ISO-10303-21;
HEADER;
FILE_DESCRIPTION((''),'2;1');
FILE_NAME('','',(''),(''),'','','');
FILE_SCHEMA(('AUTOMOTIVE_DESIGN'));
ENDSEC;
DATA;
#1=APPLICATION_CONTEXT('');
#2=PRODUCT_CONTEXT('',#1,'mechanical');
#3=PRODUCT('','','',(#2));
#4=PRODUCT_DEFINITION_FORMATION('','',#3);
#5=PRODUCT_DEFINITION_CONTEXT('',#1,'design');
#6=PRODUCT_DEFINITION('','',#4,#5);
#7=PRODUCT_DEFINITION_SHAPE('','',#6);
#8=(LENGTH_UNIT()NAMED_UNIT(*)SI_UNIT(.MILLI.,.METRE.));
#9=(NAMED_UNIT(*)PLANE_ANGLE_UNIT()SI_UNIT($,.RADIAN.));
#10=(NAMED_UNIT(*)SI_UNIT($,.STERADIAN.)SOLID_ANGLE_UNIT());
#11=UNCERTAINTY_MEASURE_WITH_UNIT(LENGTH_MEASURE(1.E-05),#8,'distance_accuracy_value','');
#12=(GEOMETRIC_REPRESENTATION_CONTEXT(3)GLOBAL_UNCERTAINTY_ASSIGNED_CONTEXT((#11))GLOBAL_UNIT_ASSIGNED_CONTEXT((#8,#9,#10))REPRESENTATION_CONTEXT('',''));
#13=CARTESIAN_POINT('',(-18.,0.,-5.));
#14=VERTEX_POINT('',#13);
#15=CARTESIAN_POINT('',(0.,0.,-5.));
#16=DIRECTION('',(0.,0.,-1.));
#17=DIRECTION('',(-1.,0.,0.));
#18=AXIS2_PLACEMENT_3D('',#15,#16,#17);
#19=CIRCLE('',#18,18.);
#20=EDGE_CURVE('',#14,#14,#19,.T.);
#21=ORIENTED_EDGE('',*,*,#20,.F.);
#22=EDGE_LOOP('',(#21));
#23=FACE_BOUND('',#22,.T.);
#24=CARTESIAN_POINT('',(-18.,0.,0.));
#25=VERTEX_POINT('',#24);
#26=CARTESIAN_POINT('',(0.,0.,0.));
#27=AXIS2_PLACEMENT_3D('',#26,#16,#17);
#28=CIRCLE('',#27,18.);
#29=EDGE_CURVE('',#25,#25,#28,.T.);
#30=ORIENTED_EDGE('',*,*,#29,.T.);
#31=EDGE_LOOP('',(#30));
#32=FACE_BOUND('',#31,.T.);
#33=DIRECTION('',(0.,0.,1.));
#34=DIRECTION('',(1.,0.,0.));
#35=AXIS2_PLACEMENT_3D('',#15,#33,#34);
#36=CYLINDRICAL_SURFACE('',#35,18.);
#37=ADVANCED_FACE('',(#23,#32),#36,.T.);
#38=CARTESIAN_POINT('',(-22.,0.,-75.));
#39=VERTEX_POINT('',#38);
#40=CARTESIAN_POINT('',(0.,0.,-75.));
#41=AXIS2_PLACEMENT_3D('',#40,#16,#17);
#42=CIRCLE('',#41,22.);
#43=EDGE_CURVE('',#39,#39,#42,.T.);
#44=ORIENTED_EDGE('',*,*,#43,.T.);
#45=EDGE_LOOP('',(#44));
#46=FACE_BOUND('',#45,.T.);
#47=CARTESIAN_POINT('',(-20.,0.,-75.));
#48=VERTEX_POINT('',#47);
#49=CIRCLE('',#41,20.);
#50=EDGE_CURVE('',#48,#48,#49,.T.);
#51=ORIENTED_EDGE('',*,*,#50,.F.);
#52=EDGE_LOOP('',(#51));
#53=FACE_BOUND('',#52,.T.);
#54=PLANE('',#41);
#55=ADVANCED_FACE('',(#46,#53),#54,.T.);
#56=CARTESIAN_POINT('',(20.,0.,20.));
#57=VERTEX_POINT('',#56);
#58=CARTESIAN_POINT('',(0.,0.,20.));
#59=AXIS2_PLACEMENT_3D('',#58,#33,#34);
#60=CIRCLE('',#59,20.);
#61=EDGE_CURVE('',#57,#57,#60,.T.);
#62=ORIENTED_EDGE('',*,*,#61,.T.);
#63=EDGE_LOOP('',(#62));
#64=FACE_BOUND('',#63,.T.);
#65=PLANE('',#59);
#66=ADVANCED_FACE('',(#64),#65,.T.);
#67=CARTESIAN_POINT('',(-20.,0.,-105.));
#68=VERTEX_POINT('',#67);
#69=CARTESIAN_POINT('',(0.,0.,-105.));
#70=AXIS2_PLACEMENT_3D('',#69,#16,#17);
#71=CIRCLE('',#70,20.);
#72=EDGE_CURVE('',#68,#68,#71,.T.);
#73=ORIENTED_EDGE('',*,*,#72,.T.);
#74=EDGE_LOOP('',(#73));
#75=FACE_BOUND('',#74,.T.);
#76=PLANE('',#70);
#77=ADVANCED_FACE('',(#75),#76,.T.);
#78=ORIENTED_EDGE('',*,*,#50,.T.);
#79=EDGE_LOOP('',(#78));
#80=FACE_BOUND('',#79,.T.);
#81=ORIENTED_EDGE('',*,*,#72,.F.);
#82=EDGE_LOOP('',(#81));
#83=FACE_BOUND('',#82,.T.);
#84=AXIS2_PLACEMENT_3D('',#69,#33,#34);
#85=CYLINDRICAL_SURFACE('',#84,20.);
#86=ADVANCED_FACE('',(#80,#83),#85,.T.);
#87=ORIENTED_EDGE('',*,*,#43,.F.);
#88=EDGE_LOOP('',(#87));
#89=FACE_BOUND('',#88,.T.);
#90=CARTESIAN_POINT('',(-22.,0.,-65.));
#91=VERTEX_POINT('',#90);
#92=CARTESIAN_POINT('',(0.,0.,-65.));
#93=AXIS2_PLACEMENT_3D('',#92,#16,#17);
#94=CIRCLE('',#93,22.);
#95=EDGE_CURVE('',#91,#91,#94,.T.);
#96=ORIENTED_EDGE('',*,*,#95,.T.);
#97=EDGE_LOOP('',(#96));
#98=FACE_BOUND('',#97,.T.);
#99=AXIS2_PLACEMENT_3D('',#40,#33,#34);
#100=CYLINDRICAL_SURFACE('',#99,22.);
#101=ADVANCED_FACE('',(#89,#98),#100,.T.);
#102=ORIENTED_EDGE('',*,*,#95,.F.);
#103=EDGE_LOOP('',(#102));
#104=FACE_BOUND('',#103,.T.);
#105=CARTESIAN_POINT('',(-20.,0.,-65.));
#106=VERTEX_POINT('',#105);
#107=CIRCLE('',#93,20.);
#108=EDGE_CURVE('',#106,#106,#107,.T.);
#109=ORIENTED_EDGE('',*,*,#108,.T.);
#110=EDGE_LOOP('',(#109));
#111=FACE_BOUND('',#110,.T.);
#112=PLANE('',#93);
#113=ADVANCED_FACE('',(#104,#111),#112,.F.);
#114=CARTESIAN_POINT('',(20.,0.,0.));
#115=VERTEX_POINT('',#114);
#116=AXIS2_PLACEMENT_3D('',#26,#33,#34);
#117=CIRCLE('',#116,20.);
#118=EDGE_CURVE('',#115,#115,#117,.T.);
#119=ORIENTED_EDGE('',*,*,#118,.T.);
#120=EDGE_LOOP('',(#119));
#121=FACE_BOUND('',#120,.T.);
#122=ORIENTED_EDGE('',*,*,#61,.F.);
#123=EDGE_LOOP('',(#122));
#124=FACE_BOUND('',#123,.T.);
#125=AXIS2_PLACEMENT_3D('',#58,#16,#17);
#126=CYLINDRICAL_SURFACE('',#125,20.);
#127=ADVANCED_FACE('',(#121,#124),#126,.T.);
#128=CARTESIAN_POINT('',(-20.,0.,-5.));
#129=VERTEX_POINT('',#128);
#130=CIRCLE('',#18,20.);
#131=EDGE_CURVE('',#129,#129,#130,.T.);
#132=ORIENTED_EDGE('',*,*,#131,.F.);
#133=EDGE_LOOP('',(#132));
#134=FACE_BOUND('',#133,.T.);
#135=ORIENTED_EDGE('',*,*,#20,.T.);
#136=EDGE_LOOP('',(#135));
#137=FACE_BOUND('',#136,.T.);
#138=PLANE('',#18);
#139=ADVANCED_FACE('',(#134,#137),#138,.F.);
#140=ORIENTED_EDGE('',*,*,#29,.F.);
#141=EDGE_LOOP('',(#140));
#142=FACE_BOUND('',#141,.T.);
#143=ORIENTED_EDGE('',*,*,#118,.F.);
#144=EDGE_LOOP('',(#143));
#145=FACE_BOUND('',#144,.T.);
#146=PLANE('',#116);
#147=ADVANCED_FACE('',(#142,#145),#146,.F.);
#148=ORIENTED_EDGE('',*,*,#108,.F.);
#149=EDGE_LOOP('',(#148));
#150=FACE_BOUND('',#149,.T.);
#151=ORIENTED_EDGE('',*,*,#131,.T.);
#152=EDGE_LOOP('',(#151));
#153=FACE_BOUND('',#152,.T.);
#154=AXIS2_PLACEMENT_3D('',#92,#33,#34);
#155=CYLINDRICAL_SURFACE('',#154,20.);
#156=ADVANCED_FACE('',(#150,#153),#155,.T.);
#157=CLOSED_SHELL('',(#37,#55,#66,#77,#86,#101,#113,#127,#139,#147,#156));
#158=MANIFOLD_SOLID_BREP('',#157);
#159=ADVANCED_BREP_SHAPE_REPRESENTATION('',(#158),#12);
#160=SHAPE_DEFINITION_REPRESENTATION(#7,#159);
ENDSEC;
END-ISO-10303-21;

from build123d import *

# Parameters (mm, degrees)
SKETCH_1_R      = 20
EXTRUDE_1_DEPTH = 20
SKETCH_2_R      = 18
EXTRUDE_2_DEPTH = 5
EXTRUDE_START   = 60
SKETCH_3_R      = 20
EXTRUDE_3_DEPTH = 60
SKETCH_4_R      = 22
EXTRUDE_4_DEPTH = 10
EXTRUDE_START_2 = 30
SKETCH_5_R      = 20
EXTRUDE_5_DEPTH = 30


with BuildPart() as part:
    # 草图1 → 凸台-拉伸1 (new body)
    with BuildSketch(Plane.XY):
        Circle(SKETCH_1_R)
    extrude(amount=EXTRUDE_1_DEPTH)

    # 草图2 → 凸台-拉伸2 (add)
    with BuildSketch(Plane(origin=(0, 0, 0), x_dir=(-1, 0, 0), z_dir=(0, 0, -1))):
        Circle(SKETCH_2_R)
    extrude(amount=EXTRUDE_2_DEPTH)

    # 草图3 → 凸台-拉伸3 (add)
    with BuildSketch(Plane(origin=(0, 0, -5), x_dir=(-1, 0, 0), z_dir=(0, 0, -1)).offset(EXTRUDE_START)):
        with Locations(Location((0, 0, 0), (0, 0, 180))):
            Circle(SKETCH_3_R)
    extrude(amount=-EXTRUDE_3_DEPTH)

    # 草图4 → 凸台-拉伸4 (add)
    with BuildSketch(Plane(origin=(0, 0, -65), x_dir=(-1, 0, 0), z_dir=(0, 0, -1))):
        Circle(SKETCH_4_R)
    extrude(amount=EXTRUDE_4_DEPTH)

    # 草图5 → 凸台-拉伸5 (add)
    with BuildSketch(Plane(origin=(0, 0, -75), x_dir=(-1, 0, 0), z_dir=(0, 0, -1)).offset(EXTRUDE_START_2)):
        with Locations(Location((0, 0, 0), (0, 0, 180))):
            Circle(SKETCH_5_R)
    extrude(amount=-EXTRUDE_5_DEPTH)


solid = part.part
